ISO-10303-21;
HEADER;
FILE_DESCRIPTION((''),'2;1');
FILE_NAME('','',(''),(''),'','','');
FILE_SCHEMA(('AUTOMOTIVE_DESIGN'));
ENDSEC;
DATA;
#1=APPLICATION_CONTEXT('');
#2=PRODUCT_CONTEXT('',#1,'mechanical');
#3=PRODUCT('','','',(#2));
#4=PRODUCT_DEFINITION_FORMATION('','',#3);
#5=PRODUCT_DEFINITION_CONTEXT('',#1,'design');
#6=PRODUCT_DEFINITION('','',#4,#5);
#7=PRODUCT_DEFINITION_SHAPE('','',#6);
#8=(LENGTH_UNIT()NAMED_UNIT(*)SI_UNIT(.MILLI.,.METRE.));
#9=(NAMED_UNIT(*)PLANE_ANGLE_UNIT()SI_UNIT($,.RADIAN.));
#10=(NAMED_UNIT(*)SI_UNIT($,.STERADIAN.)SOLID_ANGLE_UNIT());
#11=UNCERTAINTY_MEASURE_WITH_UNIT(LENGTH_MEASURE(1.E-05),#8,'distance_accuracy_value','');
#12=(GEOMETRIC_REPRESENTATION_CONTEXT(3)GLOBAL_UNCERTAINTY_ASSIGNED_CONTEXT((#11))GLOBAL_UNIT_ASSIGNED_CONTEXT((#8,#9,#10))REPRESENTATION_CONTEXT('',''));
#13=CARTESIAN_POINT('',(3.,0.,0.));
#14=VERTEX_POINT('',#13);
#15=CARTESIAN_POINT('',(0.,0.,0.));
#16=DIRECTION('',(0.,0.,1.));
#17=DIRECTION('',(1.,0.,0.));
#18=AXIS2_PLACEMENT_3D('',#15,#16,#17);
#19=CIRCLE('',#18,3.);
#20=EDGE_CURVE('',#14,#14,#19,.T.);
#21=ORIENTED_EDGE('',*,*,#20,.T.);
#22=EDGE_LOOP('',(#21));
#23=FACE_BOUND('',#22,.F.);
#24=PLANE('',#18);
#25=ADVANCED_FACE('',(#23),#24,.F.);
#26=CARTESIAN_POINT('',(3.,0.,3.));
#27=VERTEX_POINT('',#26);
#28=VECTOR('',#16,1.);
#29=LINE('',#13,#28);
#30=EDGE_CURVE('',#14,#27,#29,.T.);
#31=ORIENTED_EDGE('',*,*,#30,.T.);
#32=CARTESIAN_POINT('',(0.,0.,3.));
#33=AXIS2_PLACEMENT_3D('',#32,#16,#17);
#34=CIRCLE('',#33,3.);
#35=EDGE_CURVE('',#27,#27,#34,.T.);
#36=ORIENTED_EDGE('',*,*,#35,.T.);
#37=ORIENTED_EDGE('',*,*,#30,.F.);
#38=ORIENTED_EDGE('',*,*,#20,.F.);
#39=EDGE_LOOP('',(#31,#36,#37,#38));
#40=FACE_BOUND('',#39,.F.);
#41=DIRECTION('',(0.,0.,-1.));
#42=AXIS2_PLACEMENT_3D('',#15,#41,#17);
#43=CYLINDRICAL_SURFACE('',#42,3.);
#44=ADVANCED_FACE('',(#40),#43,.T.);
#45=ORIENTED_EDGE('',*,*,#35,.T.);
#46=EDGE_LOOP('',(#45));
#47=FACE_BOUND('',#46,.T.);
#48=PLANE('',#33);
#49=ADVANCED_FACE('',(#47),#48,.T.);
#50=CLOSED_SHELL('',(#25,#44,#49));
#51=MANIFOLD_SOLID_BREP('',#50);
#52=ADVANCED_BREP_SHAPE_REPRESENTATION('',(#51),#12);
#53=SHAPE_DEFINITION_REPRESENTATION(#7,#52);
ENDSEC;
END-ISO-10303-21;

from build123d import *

# Parameters (mm, degrees)
CYLINDER_R     = 3
CYLINDER_DEPTH = 3


with BuildPart() as part:
    # Cylinder → Cylinder (new body)
    with BuildSketch(Plane.XY):
        Circle(CYLINDER_R)
    extrude(amount=CYLINDER_DEPTH)


solid = part.part
